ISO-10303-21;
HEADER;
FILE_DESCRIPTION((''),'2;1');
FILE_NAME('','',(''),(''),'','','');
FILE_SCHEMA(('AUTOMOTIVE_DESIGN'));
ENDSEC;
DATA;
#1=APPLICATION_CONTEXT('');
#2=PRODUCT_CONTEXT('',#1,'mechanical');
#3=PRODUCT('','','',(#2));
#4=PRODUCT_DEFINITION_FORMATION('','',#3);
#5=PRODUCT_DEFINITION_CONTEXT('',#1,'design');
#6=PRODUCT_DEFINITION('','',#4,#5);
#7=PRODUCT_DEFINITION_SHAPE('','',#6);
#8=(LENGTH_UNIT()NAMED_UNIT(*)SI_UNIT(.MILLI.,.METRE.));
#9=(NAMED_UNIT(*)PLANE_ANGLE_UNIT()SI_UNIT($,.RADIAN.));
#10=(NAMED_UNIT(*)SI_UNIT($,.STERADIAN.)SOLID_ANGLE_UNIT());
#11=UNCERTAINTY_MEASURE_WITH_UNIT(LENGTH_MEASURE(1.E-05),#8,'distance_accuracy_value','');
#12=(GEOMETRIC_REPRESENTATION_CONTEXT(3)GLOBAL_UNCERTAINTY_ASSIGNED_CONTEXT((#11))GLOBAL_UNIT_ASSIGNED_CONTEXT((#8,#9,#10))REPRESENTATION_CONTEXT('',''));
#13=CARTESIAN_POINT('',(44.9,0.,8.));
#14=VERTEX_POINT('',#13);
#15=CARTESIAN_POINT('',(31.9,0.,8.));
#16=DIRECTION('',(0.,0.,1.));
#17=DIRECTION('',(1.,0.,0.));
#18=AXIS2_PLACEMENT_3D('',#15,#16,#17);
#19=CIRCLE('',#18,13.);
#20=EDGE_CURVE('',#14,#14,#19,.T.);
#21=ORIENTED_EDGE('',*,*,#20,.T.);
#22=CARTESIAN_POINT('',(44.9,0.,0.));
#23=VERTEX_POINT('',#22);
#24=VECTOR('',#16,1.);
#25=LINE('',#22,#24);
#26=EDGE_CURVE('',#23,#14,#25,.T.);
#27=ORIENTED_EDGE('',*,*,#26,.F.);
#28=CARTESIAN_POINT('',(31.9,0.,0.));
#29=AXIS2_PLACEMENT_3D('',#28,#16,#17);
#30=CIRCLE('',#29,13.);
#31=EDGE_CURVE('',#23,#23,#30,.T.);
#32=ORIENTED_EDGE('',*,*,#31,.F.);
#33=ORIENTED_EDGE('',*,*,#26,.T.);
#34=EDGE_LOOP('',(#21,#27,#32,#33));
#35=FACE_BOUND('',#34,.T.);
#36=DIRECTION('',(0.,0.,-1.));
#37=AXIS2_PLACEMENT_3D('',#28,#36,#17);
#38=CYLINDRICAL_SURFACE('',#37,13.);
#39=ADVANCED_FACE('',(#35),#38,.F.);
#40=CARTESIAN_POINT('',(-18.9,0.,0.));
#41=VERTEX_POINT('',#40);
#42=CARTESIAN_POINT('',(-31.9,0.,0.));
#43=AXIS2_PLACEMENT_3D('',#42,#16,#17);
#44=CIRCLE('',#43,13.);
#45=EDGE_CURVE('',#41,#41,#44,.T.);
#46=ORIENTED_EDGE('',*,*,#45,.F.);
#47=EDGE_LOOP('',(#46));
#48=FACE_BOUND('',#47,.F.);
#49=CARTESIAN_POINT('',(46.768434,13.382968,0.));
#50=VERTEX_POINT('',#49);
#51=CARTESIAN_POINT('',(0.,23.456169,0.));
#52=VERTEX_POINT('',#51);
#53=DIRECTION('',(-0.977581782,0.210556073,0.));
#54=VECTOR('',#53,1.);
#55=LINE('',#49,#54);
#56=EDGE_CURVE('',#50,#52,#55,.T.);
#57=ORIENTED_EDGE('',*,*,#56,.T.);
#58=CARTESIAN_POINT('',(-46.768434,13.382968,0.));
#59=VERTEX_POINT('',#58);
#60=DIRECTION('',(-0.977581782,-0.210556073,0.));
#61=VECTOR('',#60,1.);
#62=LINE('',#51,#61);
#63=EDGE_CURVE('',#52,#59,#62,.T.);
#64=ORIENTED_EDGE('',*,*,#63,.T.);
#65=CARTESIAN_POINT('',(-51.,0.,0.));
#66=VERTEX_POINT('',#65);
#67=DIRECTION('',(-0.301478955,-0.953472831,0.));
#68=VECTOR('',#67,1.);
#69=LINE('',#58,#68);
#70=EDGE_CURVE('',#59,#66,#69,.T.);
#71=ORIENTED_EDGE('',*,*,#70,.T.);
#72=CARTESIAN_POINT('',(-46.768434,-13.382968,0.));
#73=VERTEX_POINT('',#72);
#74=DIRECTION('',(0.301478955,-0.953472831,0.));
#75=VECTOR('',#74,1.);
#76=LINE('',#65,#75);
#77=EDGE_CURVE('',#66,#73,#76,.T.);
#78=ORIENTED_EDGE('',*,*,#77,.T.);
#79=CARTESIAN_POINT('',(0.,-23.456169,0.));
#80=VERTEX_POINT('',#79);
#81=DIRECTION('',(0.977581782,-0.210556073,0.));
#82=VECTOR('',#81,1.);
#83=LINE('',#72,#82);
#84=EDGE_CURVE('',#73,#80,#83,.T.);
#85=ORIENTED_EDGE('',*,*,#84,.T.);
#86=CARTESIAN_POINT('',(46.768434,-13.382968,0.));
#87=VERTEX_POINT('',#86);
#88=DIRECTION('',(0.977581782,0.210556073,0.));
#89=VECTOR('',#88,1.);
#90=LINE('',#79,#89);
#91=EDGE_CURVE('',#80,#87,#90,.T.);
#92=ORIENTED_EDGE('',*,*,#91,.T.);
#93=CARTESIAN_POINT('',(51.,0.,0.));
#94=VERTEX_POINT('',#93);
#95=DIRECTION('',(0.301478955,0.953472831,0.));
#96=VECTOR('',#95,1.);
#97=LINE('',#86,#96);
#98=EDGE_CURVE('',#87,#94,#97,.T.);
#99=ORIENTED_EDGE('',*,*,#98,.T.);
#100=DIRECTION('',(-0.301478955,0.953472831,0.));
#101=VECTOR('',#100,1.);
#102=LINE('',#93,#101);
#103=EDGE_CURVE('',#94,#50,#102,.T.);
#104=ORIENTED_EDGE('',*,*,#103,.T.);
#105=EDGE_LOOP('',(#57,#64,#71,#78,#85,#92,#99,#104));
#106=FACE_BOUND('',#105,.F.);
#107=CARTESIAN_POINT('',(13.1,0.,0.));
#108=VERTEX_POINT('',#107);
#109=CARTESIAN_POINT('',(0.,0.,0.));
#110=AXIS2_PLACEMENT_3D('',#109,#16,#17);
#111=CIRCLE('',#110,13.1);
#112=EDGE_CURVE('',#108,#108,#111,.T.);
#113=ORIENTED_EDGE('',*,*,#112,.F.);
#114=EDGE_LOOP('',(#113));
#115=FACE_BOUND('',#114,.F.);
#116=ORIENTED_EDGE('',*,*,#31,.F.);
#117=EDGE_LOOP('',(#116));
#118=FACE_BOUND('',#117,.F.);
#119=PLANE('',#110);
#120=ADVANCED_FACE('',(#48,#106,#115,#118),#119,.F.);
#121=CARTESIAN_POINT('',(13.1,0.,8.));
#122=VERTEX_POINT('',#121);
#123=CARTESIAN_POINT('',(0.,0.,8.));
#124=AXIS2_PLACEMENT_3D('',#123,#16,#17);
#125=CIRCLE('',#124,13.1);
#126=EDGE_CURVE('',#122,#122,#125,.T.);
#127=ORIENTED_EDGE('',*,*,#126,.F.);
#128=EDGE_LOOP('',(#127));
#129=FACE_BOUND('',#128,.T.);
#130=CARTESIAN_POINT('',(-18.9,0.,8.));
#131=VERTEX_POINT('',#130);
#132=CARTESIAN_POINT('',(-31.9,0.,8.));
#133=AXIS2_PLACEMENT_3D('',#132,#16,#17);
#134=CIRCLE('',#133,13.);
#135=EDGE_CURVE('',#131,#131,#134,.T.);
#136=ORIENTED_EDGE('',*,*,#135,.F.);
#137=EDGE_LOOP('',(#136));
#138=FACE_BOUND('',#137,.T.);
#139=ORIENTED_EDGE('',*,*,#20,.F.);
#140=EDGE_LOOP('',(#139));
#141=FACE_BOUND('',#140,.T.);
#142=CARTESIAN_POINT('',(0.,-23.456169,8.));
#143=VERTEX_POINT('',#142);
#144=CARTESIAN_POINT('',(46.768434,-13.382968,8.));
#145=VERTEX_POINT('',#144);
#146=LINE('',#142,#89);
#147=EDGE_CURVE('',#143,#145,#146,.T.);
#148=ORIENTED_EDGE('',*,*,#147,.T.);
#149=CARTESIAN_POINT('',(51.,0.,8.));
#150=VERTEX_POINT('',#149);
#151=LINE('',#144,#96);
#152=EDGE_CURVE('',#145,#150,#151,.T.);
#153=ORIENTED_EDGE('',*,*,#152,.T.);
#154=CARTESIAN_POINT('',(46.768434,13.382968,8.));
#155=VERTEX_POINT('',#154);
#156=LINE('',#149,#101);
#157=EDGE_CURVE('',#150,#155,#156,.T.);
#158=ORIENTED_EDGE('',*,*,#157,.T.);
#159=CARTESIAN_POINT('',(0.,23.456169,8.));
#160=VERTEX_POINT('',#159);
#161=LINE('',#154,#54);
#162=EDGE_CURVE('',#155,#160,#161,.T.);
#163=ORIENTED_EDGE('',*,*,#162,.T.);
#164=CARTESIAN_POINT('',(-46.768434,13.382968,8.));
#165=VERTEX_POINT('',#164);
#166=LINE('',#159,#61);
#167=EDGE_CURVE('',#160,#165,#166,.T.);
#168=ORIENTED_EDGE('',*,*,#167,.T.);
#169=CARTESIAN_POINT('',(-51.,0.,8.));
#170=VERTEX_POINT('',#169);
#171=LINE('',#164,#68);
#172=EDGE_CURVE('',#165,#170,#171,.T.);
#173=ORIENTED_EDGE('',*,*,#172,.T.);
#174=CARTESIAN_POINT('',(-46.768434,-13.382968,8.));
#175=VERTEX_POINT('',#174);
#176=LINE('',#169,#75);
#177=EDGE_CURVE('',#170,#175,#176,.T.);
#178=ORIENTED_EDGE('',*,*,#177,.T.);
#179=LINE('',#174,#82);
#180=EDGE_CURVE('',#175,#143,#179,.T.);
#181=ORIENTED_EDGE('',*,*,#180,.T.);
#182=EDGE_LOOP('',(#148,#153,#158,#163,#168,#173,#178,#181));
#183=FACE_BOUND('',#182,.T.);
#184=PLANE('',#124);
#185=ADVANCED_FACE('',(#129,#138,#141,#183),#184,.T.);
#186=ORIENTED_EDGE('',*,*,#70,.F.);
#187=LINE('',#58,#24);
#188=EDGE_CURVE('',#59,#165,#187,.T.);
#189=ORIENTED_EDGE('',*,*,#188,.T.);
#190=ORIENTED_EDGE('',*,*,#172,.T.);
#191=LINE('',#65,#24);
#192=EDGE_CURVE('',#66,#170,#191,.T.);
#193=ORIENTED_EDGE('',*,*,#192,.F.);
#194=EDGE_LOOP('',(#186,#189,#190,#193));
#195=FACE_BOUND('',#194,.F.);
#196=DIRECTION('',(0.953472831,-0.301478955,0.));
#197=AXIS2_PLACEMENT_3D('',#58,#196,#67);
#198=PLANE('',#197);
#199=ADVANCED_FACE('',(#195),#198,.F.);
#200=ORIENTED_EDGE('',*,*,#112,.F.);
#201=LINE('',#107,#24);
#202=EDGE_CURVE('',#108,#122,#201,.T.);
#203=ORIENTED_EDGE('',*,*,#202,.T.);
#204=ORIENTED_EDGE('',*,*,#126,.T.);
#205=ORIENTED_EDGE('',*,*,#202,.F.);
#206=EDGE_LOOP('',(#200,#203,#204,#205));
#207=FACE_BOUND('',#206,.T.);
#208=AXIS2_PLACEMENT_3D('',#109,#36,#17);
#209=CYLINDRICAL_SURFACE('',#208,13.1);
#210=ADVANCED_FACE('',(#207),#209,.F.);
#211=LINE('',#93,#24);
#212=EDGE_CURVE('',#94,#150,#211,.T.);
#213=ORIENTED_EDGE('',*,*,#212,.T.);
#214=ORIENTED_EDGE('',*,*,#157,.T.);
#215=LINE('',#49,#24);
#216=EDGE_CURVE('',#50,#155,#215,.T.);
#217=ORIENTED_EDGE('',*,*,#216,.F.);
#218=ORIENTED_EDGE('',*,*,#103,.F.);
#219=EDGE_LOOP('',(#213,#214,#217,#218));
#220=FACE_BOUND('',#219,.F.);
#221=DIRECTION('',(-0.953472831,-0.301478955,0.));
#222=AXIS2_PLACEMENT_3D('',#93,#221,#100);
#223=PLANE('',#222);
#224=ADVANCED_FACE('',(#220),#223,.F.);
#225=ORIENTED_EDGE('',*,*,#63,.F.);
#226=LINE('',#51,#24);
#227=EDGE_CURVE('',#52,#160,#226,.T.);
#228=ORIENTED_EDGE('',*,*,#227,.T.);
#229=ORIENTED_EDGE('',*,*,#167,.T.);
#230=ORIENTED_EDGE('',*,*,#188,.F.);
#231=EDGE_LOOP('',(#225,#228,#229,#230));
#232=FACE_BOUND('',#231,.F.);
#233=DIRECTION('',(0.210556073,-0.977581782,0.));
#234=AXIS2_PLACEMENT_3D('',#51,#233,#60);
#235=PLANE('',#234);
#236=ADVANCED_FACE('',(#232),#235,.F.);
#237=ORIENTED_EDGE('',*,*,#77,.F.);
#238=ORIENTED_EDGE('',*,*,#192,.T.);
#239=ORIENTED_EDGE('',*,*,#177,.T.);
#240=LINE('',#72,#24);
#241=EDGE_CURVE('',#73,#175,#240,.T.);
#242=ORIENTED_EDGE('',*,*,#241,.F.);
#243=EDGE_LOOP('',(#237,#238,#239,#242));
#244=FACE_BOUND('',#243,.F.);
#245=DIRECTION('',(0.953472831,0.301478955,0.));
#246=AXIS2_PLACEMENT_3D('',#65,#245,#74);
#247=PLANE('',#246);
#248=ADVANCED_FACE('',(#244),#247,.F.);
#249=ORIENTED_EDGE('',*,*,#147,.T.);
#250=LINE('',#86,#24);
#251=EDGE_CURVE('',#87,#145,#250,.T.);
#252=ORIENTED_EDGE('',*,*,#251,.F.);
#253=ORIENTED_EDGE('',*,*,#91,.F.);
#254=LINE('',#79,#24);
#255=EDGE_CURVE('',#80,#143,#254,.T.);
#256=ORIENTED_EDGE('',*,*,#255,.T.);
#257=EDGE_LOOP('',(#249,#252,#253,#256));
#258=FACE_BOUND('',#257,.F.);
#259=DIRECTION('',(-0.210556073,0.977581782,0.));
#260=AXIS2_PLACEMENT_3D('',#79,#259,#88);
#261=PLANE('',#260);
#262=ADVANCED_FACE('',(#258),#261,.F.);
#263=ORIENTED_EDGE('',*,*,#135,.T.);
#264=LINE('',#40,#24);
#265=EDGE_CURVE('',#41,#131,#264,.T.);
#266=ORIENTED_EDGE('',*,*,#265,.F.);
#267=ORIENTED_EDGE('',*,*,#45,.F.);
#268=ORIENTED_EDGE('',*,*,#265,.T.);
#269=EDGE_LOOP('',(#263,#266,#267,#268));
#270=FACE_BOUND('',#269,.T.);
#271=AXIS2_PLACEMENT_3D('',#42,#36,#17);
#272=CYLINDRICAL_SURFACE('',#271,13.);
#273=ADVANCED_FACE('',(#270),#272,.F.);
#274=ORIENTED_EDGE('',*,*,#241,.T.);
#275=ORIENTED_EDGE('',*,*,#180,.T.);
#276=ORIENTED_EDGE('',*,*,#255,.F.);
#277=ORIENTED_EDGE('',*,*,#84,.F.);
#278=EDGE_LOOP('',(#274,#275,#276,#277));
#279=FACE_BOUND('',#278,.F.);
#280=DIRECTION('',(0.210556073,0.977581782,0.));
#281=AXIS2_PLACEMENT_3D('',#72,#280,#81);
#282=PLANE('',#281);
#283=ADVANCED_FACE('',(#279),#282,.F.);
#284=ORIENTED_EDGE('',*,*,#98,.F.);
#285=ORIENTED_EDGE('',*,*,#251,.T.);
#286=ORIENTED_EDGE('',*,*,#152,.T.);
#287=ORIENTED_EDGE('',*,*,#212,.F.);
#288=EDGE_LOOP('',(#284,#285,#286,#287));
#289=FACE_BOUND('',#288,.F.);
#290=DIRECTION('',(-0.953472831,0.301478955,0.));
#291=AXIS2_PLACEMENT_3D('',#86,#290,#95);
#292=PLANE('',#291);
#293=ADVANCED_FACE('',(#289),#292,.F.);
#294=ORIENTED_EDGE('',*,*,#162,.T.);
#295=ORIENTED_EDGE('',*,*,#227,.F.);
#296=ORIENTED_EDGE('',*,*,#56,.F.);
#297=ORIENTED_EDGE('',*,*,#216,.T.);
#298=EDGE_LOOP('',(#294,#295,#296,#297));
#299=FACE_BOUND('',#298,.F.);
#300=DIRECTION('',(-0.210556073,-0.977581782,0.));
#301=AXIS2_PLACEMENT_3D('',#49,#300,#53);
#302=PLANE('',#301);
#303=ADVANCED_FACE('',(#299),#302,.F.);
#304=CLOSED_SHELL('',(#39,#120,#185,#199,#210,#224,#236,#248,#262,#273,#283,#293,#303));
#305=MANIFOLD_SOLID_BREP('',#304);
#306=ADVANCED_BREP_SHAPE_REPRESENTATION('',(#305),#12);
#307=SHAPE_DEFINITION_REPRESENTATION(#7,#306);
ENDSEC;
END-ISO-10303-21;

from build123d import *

# Parameters (mm, degrees)
F0_R     = 13
F0_R_2   = 13.1
F1_DEPTH = 8


with BuildPart() as f1:
    # F0 (on Top) → F1 (new body)
    with BuildSketch(Plane.XY):
        Polygon((-46.768434, 13.382968), (-51, 0), (-46.768434, -13.382968), (0, -23.456169), (46.768434, -13.382968), (51, 0), (46.768434, 13.382968), (0, 23.456169), align=None)
        with Locations((-31.9, 0)):
            Circle(F0_R, mode=Mode.SUBTRACT)
        Circle(F0_R_2, mode=Mode.SUBTRACT)
        with Locations((31.9, 0)):
            Circle(F0_R, mode=Mode.SUBTRACT)
    extrude(amount=F1_DEPTH)


solid = f1.part
